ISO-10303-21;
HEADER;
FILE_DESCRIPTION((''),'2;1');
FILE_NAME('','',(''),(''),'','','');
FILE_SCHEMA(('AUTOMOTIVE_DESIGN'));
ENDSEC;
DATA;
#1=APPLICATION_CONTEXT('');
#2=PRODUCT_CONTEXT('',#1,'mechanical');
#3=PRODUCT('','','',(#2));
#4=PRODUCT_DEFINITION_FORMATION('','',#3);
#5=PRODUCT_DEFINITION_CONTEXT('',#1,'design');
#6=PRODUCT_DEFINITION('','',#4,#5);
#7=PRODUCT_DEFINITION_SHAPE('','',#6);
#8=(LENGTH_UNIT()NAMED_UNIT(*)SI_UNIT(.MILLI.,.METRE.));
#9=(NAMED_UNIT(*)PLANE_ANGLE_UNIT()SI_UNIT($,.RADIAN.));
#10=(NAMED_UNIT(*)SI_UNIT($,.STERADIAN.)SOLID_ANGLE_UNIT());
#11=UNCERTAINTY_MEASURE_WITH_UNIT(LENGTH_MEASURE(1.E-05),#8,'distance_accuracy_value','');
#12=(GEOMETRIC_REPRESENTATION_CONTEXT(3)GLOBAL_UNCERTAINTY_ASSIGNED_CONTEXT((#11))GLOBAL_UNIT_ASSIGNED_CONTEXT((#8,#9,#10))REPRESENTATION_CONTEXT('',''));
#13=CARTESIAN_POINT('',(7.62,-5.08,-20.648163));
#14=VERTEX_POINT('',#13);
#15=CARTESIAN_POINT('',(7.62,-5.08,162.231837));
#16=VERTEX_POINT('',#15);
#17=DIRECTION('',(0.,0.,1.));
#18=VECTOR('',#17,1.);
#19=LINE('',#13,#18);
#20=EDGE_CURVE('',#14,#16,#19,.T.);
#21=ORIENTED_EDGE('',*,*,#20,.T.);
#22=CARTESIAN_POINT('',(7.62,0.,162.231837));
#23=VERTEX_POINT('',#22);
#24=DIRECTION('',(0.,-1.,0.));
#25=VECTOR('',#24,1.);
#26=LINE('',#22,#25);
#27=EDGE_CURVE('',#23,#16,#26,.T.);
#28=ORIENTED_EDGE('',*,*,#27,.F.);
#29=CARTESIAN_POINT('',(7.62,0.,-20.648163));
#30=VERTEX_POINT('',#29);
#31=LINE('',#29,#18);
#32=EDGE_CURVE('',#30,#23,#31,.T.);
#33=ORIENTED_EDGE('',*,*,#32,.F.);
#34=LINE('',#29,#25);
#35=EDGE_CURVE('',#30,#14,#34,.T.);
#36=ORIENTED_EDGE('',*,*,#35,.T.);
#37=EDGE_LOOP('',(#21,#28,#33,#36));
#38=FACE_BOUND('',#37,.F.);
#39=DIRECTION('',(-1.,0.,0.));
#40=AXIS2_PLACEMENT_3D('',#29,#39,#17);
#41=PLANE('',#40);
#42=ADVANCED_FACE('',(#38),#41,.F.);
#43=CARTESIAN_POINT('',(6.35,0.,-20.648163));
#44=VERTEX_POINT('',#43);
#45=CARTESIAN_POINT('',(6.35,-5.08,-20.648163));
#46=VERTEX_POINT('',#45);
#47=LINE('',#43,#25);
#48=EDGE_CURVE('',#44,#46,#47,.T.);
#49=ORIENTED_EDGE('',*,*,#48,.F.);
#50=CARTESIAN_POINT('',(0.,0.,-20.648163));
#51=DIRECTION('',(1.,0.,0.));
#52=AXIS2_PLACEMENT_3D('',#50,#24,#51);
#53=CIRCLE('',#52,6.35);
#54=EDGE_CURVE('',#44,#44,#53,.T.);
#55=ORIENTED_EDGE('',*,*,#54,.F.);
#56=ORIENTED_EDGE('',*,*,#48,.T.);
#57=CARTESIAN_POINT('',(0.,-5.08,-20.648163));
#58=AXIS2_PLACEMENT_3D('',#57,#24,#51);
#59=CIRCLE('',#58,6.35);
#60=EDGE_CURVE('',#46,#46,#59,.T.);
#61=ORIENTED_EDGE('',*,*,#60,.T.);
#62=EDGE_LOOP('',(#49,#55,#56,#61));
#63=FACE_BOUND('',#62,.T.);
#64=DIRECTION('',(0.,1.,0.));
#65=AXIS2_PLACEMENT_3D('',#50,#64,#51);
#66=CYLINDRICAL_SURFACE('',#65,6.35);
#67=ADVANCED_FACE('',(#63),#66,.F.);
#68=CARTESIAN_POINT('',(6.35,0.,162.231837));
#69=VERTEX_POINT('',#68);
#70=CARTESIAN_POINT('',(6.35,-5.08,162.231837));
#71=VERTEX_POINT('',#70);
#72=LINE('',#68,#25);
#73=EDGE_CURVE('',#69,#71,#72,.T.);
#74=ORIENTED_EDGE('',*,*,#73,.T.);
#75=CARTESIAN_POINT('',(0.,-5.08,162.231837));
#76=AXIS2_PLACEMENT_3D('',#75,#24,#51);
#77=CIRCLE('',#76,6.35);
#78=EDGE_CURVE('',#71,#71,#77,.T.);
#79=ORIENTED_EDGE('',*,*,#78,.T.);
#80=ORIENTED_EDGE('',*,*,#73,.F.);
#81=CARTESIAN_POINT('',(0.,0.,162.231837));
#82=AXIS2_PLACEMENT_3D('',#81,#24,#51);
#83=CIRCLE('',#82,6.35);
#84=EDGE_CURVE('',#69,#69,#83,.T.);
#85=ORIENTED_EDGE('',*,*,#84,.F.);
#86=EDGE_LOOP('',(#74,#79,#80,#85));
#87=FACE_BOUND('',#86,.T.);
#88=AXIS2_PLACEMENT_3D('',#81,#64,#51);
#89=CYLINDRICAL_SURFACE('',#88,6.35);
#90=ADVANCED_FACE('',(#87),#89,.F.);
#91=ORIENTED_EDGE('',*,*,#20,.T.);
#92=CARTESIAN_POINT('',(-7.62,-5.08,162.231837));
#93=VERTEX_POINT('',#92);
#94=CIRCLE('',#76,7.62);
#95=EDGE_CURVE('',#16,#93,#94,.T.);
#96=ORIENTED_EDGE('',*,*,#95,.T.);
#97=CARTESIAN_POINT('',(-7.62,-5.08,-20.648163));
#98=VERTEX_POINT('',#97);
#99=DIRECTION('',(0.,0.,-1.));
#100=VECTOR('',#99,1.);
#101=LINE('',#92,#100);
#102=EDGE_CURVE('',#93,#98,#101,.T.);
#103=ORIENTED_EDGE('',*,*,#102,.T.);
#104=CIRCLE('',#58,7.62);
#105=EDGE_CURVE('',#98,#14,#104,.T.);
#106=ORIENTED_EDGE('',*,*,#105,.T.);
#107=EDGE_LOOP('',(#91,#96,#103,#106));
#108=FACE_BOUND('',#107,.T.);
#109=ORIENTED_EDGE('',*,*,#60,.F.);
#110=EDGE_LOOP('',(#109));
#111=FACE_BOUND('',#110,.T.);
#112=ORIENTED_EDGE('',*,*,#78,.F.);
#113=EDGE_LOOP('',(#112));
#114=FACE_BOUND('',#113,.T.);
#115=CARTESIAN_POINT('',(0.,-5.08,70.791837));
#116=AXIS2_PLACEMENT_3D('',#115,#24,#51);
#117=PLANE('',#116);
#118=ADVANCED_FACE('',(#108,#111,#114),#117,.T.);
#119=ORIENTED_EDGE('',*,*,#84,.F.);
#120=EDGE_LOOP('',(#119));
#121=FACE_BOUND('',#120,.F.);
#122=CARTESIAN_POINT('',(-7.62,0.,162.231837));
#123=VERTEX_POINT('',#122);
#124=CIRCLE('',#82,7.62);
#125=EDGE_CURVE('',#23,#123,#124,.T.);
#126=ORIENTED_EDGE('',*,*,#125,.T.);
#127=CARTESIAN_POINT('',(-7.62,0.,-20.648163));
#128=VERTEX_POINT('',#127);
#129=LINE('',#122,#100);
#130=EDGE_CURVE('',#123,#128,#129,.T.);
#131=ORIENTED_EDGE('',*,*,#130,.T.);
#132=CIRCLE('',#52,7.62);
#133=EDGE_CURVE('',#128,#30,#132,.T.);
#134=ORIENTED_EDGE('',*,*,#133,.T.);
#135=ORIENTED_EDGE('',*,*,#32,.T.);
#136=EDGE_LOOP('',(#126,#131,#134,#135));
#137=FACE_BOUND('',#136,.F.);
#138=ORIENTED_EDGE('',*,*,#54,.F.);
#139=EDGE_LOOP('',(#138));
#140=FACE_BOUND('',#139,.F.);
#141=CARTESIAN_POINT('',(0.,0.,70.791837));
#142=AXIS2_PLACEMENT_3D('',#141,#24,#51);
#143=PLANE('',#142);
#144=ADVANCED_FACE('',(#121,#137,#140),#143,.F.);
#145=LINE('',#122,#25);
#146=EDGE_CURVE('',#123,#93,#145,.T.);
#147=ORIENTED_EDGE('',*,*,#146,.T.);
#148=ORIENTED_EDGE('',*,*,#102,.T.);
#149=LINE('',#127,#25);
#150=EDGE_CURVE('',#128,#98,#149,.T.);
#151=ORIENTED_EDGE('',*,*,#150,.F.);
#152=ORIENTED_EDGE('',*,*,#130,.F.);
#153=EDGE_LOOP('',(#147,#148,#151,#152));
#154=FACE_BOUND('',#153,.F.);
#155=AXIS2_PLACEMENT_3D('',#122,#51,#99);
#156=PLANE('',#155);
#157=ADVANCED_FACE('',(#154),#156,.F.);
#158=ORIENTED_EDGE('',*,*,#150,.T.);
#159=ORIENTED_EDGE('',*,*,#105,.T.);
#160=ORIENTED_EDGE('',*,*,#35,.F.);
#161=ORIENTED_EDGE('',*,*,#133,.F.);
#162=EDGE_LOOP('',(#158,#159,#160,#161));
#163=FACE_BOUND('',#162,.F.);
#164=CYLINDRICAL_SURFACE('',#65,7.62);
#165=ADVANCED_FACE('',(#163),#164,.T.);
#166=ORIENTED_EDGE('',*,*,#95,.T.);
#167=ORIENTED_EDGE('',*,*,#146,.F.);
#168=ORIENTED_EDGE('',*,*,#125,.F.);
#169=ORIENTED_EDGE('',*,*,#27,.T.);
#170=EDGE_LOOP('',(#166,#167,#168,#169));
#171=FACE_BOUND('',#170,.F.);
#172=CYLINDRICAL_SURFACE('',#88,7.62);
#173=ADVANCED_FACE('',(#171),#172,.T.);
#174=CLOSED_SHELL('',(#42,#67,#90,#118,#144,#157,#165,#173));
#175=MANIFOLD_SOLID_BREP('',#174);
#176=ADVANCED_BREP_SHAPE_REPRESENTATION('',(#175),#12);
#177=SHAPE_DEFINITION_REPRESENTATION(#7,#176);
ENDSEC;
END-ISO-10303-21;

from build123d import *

# Parameters (mm, degrees)
F0_R     = 6.35
F1_DEPTH = 5.08


with BuildPart() as f1:
    # F0 (on Front) → F1 (new body)
    with BuildSketch(Plane.XZ):
        with BuildLine():
            Line((7.62, -20.648163), (7.62, 162.231837))
            ThreePointArc((7.62, 162.231837), (0, 154.611837), (-7.62, 162.231837))
            Line((-7.62, 162.231837), (-7.62, -20.648163))
            ThreePointArc((-7.62, -20.648163), (0, -13.028163), (7.62, -20.648163))
        make_face()
        with BuildLine():
            ThreePointArc((-7.62, -20.648163), (0, -28.268163), (7.62, -20.648163))
            ThreePointArc((7.62, -20.648163), (0, -13.028163), (-7.62, -20.648163))
        make_face()
        with Locations((0, -20.648163)):
            Circle(F0_R, mode=Mode.SUBTRACT)
        with BuildLine():
            ThreePointArc((-7.62, 162.231837), (0, 154.611837), (7.62, 162.231837))
            ThreePointArc((7.62, 162.231837), (0, 169.851837), (-7.62, 162.231837))
        make_face()
        with Locations((0, 162.231837)):
            Circle(F0_R, mode=Mode.SUBTRACT)
    extrude(amount=F1_DEPTH)


solid = f1.part
